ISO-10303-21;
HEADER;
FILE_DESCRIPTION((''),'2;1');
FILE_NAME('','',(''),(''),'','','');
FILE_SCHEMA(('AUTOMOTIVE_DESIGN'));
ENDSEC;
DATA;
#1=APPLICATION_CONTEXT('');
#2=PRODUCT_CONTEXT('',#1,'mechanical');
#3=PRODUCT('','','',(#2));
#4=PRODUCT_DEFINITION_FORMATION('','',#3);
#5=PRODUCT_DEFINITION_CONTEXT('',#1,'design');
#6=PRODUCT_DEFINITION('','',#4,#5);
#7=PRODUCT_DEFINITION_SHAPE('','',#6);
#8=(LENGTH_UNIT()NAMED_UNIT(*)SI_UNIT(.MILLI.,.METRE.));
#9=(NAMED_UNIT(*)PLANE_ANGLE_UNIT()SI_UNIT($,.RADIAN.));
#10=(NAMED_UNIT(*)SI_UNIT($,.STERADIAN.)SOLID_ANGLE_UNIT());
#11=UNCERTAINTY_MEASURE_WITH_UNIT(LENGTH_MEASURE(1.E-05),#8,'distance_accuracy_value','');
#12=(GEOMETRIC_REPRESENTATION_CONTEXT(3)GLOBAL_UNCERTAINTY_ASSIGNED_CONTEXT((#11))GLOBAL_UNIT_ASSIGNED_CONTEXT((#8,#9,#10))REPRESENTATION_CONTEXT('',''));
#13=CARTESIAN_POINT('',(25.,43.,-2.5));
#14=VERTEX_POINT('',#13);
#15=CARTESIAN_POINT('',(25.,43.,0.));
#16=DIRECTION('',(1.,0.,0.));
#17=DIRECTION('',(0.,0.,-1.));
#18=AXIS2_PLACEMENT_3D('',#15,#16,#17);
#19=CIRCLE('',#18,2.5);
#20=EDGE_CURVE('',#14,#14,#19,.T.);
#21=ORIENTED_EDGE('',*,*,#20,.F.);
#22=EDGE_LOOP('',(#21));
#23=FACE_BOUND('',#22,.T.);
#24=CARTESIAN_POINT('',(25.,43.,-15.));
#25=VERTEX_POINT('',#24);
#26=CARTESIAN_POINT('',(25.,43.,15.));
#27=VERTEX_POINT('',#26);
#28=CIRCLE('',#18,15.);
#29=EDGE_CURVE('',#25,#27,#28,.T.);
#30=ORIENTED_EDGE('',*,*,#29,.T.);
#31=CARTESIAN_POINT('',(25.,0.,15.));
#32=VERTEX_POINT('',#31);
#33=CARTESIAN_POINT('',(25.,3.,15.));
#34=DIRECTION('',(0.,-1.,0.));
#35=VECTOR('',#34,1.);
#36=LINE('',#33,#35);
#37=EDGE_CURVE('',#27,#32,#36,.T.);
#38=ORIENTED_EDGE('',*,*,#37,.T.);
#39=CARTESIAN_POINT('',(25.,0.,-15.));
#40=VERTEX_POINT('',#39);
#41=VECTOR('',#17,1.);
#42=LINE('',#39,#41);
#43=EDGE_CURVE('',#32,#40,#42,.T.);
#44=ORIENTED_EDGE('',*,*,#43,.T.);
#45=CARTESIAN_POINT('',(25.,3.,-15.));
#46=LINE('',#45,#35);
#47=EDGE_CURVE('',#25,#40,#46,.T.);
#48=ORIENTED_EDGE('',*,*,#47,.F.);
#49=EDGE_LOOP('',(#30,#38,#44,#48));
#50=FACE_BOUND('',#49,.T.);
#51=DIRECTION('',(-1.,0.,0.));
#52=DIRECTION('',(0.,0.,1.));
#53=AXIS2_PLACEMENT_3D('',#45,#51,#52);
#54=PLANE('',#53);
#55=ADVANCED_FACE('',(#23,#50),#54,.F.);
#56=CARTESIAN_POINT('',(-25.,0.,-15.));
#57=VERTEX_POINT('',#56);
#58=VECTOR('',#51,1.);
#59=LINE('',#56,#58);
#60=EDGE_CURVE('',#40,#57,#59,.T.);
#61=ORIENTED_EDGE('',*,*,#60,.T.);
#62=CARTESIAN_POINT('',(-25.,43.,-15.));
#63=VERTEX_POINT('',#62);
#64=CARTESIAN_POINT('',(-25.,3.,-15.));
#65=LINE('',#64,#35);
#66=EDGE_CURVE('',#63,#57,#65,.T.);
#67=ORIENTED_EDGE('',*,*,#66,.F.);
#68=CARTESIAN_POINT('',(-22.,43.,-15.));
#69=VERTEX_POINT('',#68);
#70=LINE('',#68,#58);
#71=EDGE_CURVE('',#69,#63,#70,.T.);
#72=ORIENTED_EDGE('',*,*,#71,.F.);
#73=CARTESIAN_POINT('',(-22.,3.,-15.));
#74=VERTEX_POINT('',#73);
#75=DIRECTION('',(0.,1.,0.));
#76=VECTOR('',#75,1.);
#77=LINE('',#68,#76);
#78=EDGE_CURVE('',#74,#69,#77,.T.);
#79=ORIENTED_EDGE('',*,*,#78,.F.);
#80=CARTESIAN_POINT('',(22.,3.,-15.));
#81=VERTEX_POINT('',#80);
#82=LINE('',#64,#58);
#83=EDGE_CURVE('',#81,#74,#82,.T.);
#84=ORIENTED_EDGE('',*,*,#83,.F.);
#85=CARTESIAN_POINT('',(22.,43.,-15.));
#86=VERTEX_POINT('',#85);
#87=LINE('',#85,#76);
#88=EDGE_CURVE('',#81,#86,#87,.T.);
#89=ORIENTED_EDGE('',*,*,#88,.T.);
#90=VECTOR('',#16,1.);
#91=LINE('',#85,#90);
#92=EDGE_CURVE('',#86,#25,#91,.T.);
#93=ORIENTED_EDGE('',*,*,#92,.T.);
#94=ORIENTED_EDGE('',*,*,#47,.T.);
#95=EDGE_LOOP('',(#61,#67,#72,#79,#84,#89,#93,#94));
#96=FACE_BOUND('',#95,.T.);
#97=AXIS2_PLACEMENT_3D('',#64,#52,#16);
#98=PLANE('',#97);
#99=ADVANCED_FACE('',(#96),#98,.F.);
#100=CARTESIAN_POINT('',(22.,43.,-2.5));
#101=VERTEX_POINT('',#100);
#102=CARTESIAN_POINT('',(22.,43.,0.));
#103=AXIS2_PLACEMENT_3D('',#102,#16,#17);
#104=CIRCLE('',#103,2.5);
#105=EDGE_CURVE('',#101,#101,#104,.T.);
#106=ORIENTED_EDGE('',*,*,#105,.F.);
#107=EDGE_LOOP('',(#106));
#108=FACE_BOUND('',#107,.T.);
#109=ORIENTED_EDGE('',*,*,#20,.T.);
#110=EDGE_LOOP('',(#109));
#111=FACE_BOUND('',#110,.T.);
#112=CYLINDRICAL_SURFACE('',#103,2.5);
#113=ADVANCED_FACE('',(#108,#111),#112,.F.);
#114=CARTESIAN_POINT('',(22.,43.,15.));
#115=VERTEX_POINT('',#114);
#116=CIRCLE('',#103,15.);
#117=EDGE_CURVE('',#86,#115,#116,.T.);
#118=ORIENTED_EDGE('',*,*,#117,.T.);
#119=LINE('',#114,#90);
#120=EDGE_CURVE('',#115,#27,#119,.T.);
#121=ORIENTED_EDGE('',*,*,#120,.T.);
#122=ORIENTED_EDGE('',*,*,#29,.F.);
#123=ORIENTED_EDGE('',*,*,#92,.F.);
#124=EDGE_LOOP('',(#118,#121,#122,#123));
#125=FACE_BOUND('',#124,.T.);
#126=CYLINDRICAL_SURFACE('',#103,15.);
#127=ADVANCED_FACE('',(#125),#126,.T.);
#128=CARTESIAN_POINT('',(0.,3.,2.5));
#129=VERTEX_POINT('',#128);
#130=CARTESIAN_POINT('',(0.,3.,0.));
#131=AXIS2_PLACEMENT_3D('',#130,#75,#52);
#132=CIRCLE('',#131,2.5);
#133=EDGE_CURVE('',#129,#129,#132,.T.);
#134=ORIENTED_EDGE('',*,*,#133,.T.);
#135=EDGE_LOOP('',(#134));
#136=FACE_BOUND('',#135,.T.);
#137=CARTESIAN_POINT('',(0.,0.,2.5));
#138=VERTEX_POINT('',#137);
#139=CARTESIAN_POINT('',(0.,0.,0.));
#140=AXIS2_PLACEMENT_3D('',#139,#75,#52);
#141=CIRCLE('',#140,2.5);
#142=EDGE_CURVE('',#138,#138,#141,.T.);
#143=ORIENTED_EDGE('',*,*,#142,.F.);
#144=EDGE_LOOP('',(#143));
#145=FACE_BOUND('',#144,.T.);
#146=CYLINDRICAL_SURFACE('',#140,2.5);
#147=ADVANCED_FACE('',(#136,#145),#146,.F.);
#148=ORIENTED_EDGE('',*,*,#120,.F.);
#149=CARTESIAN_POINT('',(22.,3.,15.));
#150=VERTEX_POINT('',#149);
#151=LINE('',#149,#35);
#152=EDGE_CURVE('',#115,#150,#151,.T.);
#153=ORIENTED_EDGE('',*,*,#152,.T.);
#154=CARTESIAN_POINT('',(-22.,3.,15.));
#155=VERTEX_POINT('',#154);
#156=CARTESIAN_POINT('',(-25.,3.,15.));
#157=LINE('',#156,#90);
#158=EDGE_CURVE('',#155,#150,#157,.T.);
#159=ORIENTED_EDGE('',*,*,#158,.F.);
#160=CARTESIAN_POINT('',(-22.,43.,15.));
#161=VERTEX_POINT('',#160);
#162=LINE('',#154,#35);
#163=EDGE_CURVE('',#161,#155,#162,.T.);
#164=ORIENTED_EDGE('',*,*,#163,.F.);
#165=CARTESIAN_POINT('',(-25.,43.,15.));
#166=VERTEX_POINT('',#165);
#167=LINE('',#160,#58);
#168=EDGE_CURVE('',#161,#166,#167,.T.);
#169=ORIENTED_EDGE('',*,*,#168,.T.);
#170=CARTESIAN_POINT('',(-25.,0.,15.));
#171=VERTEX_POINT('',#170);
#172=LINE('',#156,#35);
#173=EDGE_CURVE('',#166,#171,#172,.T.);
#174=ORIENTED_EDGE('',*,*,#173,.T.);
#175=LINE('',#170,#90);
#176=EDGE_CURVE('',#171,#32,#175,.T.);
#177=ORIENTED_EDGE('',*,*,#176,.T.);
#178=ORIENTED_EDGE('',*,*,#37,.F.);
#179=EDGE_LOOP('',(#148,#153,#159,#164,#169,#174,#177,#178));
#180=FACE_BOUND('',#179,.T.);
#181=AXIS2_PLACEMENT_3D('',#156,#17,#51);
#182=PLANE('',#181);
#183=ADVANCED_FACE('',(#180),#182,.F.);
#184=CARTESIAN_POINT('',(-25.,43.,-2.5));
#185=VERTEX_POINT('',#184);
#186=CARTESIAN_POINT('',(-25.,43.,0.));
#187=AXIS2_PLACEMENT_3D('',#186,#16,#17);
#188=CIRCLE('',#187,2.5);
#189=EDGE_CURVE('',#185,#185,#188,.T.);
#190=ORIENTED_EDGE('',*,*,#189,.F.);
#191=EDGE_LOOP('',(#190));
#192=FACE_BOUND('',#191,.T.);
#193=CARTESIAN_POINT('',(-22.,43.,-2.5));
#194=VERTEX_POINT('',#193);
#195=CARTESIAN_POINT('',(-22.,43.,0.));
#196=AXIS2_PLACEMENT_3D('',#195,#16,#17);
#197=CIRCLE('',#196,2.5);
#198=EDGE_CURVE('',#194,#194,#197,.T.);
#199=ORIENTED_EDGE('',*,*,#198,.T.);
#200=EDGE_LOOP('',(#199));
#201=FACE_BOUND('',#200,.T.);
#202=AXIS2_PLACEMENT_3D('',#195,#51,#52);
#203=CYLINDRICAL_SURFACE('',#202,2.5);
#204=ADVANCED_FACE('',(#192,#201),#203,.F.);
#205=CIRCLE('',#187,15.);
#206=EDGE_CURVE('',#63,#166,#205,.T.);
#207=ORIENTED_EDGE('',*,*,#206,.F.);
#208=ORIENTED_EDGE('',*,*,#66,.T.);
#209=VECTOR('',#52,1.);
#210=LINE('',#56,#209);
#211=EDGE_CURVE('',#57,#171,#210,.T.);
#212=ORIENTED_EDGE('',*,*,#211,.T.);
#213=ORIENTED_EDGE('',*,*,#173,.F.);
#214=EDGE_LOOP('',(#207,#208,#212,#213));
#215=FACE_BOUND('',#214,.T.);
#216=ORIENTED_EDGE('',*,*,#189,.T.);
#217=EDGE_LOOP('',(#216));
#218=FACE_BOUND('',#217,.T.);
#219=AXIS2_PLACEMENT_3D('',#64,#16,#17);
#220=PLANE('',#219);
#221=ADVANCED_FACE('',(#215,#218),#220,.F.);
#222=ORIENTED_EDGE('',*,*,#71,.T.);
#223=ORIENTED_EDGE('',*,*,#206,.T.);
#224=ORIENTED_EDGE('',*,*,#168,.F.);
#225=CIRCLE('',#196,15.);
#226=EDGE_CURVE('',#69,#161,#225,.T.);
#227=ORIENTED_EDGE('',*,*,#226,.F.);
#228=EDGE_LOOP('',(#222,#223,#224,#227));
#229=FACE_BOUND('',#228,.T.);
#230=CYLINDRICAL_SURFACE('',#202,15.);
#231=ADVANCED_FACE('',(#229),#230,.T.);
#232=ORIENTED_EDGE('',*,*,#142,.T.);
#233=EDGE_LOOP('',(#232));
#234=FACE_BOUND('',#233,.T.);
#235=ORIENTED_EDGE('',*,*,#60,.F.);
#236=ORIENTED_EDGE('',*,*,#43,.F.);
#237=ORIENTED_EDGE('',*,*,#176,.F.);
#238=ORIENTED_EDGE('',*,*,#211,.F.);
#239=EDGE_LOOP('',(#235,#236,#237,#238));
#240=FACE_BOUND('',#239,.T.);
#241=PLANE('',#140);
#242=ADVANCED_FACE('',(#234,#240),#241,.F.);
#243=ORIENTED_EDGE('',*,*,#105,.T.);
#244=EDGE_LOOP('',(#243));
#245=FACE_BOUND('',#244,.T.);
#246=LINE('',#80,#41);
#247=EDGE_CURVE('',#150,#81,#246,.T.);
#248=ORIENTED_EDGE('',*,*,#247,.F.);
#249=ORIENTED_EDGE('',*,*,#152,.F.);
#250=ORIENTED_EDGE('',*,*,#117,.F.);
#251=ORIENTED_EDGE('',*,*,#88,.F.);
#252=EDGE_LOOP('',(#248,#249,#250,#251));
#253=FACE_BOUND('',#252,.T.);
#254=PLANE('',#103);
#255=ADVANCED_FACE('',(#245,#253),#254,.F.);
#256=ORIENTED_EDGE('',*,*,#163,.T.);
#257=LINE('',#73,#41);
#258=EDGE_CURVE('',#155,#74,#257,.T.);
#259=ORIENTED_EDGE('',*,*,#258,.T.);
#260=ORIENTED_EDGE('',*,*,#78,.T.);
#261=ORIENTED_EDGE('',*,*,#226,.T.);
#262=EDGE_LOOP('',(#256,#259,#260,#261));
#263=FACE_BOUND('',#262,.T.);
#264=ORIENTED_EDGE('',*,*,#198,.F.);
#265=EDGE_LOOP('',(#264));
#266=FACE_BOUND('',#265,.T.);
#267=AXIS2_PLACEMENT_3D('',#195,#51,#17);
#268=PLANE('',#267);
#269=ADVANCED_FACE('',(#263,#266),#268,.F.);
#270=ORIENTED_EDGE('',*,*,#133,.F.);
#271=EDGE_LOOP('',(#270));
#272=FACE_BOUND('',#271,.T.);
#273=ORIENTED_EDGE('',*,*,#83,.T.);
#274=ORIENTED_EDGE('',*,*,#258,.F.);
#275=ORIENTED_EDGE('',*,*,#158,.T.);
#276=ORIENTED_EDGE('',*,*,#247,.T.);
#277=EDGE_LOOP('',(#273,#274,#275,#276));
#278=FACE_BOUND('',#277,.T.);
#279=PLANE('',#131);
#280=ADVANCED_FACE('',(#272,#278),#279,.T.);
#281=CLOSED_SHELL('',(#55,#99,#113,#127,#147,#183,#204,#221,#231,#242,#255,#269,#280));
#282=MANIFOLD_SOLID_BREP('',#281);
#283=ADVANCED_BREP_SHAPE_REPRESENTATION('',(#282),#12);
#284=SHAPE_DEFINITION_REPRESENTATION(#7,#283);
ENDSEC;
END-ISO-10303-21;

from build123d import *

# Parameters (mm, degrees)
SKETCH1_W           = 50
SKETCH1_H           = 30
BOSS_EXTRUDE1_DEPTH = 3
SKETCH2_R           = 2.5
BOSS_EXTRUDE2_DEPTH = 3
SKETCH3_R           = 2.5
CUT_EXTRUDE1_DEPTH  = 3


with BuildPart() as part:
    # Sketch1 → Boss-Extrude1 (new body)
    with BuildSketch(Plane(origin=(0, 0, 0), x_dir=(1, 0, 0), z_dir=(0, 1, 0))):
        Rectangle(SKETCH1_W, SKETCH1_H)
    extrude(amount=BOSS_EXTRUDE1_DEPTH)

    # Sketch2 → Boss-Extrude2 (add)
    with BuildSketch(Plane(origin=(25, 0, 0), x_dir=(0, 0, -1), z_dir=(1, 0, 0))):
        with BuildLine():
            Line((-15, 3), (-15, 43))
            ThreePointArc((-15, 43), (0, 58), (15, 43))
            Line((15, 43), (15, 3))
            Line((15, 3), (-15, 3))
        make_face()
        with Locations((0, 43)):
            Circle(SKETCH2_R, mode=Mode.SUBTRACT)
    boss_extrude2 = extrude(amount=-BOSS_EXTRUDE2_DEPTH)

    # Mirror1: Boss-Extrude2 across plane
    add(boss_extrude2.mirror(Plane(origin=(0, 0, 0), x_dir=(0, 0, 1), z_dir=(1, 0, 0))))

    # Sketch3 → Cut-Extrude1 (cut)
    with BuildSketch(Plane(origin=(0, 3, 0), x_dir=(1, 0, 0), z_dir=(0, 1, 0))):
        with Locations(Location((0, 0, 0), (0, 0, 270))):
            Circle(SKETCH3_R)
    extrude(amount=-CUT_EXTRUDE1_DEPTH, mode=Mode.SUBTRACT)


solid = part.part
